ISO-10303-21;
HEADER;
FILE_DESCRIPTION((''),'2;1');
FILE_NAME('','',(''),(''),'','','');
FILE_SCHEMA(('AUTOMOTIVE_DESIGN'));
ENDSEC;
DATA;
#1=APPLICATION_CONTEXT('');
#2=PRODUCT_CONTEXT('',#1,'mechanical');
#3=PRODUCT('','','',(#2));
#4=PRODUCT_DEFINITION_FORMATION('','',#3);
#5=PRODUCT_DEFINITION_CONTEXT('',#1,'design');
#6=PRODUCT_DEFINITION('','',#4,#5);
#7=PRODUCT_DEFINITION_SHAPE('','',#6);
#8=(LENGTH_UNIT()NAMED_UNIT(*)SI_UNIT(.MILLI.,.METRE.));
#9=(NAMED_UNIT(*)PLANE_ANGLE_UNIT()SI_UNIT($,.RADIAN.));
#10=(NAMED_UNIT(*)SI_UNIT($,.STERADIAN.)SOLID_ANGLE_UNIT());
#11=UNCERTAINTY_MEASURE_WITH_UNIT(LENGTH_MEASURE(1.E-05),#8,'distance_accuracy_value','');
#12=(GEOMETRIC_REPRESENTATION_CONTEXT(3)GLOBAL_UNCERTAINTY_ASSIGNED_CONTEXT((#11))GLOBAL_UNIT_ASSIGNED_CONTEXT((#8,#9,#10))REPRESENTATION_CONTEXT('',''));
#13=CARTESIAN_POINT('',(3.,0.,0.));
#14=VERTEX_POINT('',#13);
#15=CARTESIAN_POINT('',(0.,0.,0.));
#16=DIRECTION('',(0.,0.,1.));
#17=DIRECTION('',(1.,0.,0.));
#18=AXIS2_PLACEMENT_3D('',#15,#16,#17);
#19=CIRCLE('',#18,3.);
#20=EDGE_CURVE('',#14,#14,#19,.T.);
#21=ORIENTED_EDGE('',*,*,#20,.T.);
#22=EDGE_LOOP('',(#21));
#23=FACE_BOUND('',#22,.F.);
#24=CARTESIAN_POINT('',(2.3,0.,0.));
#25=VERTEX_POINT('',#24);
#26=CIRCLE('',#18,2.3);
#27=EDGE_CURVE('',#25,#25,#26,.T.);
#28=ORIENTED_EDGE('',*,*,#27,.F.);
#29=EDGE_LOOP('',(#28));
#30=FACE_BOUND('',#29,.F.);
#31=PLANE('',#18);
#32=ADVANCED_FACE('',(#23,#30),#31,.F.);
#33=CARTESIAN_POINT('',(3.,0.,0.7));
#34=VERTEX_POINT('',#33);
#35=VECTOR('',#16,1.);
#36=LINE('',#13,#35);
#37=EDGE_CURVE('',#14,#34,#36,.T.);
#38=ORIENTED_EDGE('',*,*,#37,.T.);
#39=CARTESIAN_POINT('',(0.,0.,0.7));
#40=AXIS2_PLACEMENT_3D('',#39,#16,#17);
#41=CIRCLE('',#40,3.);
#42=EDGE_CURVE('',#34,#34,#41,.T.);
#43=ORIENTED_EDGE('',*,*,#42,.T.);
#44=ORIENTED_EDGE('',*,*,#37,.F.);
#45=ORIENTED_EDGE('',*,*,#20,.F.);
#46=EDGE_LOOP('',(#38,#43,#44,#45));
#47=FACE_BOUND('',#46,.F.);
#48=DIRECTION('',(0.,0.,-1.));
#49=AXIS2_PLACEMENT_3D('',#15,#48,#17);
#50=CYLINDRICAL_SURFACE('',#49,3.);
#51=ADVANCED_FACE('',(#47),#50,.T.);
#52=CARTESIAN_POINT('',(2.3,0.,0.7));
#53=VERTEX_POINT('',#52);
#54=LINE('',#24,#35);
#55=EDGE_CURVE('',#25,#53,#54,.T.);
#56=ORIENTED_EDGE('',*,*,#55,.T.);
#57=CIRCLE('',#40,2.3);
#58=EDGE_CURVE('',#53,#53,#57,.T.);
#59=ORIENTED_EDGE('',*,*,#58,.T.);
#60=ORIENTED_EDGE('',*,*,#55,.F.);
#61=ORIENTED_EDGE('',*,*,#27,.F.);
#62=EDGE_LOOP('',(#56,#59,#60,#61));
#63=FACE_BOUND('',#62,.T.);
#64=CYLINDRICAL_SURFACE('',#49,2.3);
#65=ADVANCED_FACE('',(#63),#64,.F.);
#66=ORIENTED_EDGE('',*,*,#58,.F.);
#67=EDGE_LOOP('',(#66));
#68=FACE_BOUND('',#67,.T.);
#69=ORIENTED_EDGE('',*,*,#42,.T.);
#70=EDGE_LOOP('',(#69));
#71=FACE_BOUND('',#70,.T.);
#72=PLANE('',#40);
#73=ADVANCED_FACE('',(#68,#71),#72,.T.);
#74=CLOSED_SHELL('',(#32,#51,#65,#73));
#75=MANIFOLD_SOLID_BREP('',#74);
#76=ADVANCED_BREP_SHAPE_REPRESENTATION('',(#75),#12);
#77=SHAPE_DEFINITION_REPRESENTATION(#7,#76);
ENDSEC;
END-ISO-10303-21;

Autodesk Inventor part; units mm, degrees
ref_plane "YZ Plane" through (0, 0, 0) normal (1, 0, 0) x (0, 1, 0)
ref_plane "XZ Plane" through (0, 0, 0) normal (0, 1, 0) x (-1, 0, 0)
ref_plane "XY Plane" through (0, 0, 0) normal (0, 0, 1) x (1, 0, 0)
sketch "Sketch1" plane through (0, 0, 0) normal (0, 0, 1) x (1, 0, 0)
  circle A0 centre (0, 0) radius 2.3
  circle A1 centre (0, 0) radius 3
  dimension "d0" = 4.6
  dimension "d1" = 6
extrude "Extrusion1" add sketch "Sketch1" along normal blind 0.7
properties part number "YBeltWasher4.6"
